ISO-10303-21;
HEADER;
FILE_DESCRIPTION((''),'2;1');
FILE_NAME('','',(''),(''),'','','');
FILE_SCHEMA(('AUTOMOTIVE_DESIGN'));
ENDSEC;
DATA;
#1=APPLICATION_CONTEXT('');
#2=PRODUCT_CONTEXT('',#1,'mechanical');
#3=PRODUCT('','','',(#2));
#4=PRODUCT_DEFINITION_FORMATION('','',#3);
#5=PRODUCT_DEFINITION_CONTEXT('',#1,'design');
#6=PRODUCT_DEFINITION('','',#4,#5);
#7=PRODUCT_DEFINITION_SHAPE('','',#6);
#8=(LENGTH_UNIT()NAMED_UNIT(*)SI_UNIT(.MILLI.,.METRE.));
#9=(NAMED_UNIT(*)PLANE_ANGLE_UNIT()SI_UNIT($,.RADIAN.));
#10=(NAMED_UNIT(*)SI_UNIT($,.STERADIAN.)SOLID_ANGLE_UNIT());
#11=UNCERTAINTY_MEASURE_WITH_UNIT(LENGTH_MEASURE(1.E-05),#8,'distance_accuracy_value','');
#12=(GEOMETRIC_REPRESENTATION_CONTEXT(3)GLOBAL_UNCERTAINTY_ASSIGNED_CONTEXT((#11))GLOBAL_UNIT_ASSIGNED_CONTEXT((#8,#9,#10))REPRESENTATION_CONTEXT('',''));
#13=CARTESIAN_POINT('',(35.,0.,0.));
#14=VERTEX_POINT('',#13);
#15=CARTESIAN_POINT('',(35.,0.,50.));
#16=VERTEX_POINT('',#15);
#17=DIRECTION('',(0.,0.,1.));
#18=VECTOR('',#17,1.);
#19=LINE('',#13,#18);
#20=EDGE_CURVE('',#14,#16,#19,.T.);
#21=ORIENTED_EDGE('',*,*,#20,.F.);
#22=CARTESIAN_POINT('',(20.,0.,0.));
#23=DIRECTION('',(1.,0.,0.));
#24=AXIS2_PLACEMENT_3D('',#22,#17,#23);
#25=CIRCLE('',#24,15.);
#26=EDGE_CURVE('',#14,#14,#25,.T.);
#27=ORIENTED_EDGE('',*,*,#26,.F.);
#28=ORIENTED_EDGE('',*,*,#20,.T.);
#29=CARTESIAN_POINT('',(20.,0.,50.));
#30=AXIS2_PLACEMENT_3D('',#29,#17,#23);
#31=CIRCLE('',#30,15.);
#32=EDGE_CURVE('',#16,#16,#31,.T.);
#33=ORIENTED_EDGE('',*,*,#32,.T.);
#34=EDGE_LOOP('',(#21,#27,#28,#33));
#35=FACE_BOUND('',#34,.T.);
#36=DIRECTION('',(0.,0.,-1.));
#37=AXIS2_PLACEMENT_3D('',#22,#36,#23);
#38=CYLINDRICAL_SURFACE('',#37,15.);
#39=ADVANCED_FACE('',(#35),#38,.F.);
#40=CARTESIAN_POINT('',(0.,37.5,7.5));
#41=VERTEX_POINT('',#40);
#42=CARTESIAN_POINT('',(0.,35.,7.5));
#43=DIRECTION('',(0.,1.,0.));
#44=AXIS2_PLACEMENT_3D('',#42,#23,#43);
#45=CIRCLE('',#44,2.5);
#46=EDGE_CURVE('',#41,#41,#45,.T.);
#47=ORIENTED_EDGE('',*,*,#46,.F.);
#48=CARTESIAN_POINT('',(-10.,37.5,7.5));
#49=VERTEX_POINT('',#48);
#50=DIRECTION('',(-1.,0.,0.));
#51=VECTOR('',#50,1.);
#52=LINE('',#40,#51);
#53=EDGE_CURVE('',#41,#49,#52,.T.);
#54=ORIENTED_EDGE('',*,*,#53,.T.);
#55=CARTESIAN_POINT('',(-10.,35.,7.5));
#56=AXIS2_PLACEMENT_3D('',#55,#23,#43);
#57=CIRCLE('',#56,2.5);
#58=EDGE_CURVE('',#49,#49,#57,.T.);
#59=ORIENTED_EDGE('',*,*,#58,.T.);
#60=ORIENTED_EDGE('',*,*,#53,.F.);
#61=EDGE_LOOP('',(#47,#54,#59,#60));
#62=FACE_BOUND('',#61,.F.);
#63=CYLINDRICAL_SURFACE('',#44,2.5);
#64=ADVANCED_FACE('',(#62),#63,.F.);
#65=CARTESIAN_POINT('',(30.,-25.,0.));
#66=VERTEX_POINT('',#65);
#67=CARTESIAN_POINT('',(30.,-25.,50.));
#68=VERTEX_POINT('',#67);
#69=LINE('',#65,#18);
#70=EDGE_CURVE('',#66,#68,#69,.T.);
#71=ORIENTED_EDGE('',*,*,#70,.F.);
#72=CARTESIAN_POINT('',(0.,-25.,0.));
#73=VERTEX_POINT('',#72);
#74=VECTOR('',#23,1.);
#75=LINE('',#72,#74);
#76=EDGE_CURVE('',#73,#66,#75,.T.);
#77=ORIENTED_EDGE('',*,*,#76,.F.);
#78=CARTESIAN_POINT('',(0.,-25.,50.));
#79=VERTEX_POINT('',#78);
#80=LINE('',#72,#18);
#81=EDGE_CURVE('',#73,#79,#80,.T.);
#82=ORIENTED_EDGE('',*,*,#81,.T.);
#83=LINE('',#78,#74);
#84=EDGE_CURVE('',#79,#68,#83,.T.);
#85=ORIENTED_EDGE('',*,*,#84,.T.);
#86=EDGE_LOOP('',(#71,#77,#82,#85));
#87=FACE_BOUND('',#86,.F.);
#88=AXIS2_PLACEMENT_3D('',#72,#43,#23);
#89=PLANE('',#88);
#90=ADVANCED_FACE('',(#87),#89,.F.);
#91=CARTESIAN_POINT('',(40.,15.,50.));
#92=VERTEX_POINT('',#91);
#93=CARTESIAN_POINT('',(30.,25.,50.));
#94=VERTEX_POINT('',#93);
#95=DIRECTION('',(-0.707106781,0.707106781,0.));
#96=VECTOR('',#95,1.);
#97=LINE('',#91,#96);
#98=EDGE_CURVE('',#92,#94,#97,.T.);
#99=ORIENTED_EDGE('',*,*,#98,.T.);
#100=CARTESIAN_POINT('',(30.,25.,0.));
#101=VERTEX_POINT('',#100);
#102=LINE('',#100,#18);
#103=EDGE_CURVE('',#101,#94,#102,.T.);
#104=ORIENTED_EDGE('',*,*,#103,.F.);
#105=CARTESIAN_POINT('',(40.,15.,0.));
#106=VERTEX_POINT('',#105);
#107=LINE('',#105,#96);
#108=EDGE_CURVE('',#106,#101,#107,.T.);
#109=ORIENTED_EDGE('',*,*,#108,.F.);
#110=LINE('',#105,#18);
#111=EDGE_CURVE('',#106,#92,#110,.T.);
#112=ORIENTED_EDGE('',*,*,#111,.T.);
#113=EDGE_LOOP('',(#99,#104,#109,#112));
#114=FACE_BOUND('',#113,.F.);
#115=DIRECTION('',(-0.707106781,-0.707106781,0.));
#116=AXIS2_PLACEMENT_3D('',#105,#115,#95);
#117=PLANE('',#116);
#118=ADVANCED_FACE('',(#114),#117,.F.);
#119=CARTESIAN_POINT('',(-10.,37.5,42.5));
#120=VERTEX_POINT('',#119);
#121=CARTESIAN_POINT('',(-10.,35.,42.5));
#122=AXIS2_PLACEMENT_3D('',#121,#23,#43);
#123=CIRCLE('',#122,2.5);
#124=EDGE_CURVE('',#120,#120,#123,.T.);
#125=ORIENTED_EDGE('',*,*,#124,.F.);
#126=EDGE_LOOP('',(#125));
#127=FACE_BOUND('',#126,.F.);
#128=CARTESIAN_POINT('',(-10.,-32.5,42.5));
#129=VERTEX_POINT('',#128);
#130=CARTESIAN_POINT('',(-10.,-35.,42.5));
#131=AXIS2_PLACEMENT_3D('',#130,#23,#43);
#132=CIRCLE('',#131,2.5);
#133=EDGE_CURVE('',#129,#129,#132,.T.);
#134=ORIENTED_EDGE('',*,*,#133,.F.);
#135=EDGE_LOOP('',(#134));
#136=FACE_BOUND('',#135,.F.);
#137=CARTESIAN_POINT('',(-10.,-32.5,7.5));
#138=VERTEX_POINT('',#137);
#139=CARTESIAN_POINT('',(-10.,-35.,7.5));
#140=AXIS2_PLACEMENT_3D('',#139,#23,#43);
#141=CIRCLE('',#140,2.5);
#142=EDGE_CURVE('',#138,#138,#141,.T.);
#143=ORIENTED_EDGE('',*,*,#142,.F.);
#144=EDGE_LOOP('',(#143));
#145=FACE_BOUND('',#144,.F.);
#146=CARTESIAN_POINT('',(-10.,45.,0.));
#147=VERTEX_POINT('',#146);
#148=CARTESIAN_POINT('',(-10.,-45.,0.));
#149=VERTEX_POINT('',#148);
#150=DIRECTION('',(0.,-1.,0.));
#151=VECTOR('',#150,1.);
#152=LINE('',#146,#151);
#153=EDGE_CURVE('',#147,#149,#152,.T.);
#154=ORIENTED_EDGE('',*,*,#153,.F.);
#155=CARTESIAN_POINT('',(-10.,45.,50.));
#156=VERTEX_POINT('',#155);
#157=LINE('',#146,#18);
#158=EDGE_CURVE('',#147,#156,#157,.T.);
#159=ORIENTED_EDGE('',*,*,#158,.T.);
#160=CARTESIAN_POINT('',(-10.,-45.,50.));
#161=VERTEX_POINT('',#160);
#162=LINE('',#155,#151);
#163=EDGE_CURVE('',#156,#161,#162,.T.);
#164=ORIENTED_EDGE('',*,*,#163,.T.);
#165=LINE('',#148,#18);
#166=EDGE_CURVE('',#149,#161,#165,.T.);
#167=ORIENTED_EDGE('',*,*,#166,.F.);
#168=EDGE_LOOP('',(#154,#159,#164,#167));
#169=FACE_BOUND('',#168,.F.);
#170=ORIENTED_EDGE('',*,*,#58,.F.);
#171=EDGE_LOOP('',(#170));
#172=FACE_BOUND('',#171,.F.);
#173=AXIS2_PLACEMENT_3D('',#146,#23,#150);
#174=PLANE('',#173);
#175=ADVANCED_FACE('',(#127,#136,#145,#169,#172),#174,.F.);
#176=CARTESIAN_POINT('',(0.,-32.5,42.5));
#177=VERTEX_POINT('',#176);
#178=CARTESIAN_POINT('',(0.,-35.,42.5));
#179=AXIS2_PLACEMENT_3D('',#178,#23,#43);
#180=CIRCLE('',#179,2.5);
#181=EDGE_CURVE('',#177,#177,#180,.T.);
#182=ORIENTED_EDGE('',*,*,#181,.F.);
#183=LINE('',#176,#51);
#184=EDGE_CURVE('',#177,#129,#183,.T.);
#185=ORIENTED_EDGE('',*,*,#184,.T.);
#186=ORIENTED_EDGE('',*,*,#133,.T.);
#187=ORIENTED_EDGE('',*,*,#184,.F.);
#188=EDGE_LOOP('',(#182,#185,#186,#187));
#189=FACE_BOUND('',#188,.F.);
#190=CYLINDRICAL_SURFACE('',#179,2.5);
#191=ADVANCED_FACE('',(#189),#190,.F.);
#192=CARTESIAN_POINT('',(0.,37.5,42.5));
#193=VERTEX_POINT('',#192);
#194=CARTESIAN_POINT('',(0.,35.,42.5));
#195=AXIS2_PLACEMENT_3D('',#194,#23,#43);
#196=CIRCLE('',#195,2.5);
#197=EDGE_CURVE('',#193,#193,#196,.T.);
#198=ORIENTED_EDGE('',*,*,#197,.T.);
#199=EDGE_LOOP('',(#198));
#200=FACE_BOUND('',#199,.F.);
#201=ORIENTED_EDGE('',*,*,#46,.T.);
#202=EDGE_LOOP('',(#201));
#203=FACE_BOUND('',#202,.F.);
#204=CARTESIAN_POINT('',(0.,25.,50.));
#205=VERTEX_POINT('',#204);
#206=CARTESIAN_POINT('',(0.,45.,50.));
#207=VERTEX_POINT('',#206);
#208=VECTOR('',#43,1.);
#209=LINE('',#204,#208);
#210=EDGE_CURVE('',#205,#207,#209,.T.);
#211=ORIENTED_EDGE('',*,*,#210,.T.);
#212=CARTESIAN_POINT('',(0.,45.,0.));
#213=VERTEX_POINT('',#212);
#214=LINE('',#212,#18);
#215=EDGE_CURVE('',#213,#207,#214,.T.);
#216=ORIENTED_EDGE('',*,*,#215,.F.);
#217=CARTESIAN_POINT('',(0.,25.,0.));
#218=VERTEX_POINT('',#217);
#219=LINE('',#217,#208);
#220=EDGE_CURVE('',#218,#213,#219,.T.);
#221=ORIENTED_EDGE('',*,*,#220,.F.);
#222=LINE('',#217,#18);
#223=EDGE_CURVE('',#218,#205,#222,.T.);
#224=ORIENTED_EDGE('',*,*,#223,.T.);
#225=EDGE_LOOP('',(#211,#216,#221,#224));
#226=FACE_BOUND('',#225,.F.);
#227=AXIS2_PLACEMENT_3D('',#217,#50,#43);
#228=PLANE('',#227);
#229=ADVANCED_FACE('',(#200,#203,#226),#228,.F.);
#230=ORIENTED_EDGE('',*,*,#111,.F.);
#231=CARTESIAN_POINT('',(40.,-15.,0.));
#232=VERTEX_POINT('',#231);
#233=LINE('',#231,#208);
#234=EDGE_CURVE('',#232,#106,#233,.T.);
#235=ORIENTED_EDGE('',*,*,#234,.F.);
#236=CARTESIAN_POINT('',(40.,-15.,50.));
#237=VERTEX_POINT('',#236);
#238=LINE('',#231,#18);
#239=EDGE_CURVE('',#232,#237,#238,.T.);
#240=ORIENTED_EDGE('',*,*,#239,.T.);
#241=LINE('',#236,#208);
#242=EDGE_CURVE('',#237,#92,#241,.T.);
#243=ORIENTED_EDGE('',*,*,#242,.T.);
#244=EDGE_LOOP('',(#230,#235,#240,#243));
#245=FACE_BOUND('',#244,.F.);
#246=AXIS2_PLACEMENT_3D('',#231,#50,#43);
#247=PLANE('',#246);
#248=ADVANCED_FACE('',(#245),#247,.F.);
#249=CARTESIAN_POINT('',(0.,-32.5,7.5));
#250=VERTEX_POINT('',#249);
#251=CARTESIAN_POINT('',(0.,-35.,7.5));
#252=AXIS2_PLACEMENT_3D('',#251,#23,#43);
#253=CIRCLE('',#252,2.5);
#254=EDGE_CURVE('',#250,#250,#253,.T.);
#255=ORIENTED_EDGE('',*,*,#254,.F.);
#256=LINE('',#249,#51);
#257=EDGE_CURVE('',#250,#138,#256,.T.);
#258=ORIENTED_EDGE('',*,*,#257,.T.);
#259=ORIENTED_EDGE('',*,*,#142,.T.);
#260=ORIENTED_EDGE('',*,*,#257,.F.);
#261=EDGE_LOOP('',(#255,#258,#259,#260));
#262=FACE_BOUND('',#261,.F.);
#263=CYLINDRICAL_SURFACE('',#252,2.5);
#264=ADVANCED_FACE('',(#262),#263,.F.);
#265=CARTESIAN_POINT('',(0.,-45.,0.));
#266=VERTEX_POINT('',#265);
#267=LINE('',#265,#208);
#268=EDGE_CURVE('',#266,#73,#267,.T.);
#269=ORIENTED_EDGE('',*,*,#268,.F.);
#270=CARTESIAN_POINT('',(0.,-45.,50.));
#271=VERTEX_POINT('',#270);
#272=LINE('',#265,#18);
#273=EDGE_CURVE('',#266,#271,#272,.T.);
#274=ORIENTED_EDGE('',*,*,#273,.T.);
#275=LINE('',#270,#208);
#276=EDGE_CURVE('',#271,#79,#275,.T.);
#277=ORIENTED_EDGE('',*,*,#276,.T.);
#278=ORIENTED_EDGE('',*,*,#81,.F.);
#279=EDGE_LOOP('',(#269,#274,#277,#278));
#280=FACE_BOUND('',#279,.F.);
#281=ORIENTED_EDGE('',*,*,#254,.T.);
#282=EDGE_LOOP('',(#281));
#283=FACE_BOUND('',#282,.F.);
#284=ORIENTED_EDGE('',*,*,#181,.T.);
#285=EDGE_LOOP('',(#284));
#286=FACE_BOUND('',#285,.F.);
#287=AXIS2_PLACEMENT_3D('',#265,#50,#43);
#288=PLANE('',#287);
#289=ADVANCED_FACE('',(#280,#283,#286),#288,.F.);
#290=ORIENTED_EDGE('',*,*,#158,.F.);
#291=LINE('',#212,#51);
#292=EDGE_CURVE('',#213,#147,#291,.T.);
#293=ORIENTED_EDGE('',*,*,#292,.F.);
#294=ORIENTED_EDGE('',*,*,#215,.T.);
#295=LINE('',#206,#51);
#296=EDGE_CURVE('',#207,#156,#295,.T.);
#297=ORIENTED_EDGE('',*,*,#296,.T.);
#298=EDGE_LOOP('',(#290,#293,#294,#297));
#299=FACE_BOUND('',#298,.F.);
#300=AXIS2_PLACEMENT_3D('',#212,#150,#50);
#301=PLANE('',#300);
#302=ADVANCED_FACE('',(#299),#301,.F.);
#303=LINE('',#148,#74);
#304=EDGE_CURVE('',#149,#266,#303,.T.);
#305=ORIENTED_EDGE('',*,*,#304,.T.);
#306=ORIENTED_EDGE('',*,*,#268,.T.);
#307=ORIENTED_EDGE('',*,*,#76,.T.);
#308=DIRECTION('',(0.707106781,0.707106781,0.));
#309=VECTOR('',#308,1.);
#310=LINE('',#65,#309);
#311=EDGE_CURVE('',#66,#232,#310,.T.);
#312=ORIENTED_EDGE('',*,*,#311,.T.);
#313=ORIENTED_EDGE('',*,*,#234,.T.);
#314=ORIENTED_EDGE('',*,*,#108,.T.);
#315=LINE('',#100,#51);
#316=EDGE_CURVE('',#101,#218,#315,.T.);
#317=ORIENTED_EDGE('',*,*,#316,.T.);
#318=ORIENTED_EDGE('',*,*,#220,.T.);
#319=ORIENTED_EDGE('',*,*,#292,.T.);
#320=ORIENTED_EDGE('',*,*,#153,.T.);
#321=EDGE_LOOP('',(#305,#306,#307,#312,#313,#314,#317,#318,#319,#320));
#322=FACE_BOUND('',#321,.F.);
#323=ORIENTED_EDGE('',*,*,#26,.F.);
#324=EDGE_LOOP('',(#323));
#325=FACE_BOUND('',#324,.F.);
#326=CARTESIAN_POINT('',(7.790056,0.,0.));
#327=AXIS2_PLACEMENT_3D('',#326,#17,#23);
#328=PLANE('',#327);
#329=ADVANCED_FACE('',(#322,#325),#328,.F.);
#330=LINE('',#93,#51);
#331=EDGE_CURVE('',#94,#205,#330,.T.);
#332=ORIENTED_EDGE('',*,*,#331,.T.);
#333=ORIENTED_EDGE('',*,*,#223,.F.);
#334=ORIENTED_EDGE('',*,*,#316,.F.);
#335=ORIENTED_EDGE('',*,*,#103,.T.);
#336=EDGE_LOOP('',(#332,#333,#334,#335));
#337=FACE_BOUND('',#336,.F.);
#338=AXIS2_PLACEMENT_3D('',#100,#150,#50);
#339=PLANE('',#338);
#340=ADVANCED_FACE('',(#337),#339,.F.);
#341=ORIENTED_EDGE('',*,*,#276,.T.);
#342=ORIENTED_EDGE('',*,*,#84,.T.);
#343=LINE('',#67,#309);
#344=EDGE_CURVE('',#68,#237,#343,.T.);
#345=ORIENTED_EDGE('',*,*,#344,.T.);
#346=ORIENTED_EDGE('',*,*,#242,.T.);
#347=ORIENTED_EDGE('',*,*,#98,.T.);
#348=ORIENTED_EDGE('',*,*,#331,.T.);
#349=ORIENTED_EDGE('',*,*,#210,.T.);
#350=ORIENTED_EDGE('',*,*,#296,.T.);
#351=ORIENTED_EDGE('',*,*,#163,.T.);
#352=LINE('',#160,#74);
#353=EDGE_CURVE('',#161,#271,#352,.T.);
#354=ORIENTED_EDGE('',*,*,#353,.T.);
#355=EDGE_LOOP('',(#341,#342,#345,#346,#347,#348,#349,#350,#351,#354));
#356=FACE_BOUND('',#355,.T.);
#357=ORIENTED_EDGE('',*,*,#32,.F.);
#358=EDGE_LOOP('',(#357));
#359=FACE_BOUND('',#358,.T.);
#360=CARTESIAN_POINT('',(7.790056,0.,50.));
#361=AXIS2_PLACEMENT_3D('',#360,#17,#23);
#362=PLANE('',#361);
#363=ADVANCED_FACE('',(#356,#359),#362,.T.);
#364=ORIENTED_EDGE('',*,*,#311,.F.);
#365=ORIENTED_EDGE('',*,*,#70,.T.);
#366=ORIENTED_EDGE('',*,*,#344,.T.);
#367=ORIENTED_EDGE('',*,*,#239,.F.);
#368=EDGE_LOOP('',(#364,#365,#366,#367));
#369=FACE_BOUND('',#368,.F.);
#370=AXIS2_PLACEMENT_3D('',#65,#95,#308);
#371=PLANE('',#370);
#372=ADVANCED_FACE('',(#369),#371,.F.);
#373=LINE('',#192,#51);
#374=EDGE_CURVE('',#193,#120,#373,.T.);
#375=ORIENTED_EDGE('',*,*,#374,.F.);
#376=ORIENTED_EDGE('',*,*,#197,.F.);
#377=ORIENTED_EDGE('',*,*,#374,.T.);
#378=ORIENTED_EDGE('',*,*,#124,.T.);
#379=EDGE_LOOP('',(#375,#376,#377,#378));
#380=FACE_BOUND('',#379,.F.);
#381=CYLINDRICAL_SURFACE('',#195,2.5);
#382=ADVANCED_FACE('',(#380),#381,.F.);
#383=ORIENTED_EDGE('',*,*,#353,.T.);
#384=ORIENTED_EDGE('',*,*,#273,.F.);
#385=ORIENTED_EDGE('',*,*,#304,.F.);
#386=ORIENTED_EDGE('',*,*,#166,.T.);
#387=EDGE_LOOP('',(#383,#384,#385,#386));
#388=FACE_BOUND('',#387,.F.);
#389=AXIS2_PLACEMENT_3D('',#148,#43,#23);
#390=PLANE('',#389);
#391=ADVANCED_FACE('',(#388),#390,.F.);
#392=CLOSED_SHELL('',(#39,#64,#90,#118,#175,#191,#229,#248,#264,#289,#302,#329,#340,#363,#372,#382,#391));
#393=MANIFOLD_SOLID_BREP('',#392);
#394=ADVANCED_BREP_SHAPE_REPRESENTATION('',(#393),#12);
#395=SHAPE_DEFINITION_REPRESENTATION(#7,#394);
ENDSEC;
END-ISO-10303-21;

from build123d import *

# Parameters (mm, degrees)
F0_R     = 15
F1_DEPTH = 50
F2_R     = 2.5
F3_DEPTH = 25


with BuildPart() as f1:
    # F0 (on Top) → F1 (new body)
    with BuildSketch(Plane.XY):
        Polygon((0, 25), (0, 45), (-10, 45), (-10, -45), (0, -45), (0, -25), (30, -25), (40, -15), (40, 15), (30, 25), align=None)
        with Locations((20, 0)):
            Circle(F0_R, mode=Mode.SUBTRACT)
    extrude(amount=F1_DEPTH)

    # F2 (on face) → F3 (cut)
    with BuildSketch(Plane.YZ):
        with Locations((-35, 42.5)):
            Circle(F2_R)
        with Locations((-35, 7.5)):
            Circle(F2_R)
        with Locations((35, 7.5)):
            Circle(F2_R)
        with Locations((35, 42.5)):
            Circle(F2_R)
    extrude(amount=-F3_DEPTH, mode=Mode.SUBTRACT)


solid = f1.part
